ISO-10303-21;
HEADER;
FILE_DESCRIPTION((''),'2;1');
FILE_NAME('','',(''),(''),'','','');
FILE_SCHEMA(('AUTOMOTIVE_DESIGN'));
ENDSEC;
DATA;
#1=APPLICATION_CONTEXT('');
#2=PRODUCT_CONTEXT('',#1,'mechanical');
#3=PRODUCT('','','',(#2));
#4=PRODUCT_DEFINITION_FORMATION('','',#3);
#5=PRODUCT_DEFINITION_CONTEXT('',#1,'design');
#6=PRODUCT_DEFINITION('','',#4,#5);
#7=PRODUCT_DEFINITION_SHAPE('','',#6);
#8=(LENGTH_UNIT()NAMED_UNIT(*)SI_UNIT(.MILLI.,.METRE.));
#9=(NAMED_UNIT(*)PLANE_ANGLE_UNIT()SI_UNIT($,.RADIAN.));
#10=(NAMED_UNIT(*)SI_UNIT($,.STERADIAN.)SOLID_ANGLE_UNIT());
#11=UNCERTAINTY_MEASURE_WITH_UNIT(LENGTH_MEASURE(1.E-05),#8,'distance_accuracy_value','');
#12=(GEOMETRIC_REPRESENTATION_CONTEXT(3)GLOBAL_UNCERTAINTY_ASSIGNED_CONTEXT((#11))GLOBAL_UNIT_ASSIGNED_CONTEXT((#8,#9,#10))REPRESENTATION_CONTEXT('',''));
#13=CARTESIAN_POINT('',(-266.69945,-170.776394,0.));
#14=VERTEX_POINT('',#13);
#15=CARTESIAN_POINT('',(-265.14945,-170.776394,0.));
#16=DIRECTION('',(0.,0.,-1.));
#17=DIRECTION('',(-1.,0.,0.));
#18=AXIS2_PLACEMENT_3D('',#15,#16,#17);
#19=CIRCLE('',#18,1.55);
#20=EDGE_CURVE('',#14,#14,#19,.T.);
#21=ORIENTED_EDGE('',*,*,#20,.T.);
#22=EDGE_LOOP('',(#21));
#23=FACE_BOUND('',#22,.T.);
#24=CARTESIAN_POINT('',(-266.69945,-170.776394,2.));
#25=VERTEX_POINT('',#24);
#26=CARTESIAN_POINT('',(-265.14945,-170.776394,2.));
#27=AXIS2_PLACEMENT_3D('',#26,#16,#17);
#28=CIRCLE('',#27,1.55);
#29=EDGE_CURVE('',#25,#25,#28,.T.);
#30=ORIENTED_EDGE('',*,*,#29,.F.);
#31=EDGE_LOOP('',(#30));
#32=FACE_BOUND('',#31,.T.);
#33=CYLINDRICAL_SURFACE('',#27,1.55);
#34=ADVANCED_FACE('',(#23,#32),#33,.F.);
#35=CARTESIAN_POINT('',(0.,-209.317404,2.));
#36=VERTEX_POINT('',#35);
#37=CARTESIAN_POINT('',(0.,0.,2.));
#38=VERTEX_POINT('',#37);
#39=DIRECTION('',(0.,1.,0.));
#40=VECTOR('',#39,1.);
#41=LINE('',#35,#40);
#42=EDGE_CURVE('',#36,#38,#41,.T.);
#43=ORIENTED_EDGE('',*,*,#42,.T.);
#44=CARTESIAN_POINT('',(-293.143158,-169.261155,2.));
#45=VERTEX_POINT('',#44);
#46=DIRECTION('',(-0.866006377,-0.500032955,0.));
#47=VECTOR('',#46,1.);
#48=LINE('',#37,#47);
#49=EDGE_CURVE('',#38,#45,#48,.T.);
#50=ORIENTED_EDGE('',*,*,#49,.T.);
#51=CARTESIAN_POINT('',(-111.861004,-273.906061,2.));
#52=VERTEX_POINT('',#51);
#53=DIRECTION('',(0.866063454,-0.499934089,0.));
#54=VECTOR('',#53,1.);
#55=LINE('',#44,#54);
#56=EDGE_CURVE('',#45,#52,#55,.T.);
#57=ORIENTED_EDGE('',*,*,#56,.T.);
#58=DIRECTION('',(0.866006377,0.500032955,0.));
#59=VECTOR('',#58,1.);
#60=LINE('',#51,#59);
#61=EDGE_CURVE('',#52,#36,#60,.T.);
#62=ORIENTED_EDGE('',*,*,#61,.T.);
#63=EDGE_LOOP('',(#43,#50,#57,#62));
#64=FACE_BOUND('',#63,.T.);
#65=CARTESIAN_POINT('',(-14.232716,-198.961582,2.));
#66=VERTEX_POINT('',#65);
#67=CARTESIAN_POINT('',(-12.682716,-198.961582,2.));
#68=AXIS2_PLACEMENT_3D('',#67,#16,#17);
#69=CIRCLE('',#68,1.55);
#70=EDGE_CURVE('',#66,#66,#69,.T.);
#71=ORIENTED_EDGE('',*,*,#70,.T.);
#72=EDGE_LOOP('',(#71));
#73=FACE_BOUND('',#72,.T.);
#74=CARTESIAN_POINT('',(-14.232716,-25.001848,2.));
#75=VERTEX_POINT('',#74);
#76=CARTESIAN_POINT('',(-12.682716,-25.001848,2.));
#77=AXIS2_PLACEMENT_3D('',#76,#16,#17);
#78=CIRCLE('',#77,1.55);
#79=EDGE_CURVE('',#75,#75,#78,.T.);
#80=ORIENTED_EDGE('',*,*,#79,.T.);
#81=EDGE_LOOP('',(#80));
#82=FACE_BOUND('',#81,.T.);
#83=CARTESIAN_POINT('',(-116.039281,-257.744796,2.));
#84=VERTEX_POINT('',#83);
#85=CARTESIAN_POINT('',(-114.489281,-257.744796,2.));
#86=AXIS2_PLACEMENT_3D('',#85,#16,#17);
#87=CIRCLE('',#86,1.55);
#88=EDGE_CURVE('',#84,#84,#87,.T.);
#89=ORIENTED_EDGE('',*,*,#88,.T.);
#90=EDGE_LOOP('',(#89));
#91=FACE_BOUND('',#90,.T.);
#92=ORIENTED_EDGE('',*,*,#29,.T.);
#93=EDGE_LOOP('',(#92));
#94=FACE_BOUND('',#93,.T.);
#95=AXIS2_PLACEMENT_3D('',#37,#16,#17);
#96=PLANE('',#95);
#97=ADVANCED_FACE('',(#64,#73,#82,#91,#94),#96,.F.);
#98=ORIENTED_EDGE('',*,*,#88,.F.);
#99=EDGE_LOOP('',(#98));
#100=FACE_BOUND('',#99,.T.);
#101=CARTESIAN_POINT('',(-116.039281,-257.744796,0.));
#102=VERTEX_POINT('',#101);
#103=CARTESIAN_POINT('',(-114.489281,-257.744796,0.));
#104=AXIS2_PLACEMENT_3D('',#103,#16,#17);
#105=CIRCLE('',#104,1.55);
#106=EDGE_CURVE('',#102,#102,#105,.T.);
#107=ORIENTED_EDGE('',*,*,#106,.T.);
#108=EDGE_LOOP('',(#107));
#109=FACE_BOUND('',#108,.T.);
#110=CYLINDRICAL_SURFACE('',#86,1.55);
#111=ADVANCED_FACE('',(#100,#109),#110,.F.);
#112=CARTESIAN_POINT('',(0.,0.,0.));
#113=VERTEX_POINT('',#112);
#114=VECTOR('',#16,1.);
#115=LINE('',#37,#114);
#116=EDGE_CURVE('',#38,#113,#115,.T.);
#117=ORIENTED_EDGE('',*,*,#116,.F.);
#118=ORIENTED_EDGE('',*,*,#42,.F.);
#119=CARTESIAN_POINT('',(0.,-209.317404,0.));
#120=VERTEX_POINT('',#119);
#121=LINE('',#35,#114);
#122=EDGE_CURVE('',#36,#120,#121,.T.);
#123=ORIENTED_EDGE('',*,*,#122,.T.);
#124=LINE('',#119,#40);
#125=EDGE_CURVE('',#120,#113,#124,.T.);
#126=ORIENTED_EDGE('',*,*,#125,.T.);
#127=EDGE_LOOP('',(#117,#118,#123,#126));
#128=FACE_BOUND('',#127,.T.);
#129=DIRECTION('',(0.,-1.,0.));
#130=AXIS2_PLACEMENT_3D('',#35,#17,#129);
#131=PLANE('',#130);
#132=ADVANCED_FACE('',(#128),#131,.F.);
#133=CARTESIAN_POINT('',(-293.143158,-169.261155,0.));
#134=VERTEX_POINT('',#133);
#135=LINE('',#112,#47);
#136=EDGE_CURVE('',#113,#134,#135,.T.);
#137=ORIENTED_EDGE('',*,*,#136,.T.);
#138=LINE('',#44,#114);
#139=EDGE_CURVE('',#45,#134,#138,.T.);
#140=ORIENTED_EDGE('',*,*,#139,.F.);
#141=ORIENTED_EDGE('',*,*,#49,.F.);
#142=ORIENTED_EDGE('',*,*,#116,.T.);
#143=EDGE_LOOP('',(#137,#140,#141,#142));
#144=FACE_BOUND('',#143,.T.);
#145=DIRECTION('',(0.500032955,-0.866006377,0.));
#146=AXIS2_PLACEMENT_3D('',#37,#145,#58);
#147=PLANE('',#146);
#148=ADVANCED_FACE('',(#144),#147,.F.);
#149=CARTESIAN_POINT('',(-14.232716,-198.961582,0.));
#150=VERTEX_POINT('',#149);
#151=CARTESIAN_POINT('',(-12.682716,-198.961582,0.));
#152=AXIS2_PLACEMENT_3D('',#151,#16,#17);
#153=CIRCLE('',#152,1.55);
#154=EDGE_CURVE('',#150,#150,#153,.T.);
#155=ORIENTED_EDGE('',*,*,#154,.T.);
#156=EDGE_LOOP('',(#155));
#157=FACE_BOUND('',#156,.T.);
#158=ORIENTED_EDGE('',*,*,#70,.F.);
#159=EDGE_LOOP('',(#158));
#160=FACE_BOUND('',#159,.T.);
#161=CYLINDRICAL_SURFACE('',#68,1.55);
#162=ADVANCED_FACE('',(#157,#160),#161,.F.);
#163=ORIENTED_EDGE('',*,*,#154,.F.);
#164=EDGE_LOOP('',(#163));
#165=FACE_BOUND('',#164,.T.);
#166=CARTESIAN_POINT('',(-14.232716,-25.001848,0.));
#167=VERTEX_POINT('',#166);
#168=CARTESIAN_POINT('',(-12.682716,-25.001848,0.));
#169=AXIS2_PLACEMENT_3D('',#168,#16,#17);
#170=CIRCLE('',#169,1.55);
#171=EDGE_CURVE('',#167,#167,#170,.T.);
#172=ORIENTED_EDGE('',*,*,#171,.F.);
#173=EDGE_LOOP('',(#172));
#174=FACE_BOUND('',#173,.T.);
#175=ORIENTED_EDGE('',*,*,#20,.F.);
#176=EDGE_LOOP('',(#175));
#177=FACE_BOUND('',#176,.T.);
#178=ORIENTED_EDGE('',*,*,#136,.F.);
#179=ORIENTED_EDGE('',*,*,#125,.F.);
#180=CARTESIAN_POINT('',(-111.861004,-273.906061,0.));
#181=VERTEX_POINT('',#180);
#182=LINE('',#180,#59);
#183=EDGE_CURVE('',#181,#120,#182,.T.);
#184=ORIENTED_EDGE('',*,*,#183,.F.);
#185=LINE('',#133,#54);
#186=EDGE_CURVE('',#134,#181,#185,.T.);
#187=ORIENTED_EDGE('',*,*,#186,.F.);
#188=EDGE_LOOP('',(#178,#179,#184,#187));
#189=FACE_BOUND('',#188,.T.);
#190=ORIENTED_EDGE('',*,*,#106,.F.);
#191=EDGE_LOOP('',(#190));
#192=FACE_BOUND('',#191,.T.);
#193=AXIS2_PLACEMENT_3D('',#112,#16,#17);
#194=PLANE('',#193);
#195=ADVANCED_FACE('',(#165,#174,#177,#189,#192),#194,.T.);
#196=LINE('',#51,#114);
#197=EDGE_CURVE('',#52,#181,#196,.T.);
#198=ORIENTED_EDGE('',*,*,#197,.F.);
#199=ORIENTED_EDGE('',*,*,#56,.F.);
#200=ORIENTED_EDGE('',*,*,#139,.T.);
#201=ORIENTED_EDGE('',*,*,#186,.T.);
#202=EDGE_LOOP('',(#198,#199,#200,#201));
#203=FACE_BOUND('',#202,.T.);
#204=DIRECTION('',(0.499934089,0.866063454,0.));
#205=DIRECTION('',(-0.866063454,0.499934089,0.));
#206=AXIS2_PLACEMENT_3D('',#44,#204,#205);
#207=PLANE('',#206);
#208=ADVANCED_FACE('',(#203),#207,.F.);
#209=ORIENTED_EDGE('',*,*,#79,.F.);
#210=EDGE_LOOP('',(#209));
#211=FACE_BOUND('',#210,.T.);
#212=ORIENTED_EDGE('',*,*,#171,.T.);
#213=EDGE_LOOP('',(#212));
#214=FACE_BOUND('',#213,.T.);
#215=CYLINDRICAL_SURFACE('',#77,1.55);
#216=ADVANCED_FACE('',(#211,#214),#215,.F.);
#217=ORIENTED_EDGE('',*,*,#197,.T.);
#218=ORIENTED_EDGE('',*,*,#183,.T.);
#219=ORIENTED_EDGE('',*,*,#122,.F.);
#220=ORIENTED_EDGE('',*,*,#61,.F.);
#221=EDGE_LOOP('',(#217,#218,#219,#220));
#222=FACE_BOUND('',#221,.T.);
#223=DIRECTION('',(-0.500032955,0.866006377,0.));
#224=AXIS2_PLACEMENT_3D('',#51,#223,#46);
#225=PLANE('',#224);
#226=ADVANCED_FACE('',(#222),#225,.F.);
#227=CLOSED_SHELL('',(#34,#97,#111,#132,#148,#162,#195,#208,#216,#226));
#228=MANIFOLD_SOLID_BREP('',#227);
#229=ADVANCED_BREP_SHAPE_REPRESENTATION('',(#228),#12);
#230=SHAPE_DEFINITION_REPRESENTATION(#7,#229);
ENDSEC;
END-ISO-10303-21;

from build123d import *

# Parameters (mm, degrees)
EXTRUDE_1_DEPTH     = 2
SKETCH_3_R          = 1.55
CUT_EXTRUDE_1_DEPTH = 2


with BuildPart() as part:
    # Эскиз1 → Бобышка-Вытянуть1 (new body)
    with BuildSketch(Plane.XY):
        Polygon((0, 0), (-293.143158486, -169.261155122), (-111.86100446, -273.906060772), (0, -209.31740407), align=None)
    extrude(amount=EXTRUDE_1_DEPTH)

    # Эскиз3 → Вырез-Вытянуть1 (cut)
    with BuildSketch(Plane(origin=(0, 0, 0), x_dir=(-1, 0, 0), z_dir=(0, 0, -1))):
        with Locations((12.682716025, -25.001847817)):
            Circle(SKETCH_3_R)
        with Locations((12.682716025, -198.961582281)):
            Circle(SKETCH_3_R)
        with Locations((114.489281174, -257.744795592)):
            Circle(SKETCH_3_R)
        with Locations((265.149449722, -170.776394274)):
            Circle(SKETCH_3_R)
    extrude(amount=-CUT_EXTRUDE_1_DEPTH, mode=Mode.SUBTRACT)


solid = part.part
